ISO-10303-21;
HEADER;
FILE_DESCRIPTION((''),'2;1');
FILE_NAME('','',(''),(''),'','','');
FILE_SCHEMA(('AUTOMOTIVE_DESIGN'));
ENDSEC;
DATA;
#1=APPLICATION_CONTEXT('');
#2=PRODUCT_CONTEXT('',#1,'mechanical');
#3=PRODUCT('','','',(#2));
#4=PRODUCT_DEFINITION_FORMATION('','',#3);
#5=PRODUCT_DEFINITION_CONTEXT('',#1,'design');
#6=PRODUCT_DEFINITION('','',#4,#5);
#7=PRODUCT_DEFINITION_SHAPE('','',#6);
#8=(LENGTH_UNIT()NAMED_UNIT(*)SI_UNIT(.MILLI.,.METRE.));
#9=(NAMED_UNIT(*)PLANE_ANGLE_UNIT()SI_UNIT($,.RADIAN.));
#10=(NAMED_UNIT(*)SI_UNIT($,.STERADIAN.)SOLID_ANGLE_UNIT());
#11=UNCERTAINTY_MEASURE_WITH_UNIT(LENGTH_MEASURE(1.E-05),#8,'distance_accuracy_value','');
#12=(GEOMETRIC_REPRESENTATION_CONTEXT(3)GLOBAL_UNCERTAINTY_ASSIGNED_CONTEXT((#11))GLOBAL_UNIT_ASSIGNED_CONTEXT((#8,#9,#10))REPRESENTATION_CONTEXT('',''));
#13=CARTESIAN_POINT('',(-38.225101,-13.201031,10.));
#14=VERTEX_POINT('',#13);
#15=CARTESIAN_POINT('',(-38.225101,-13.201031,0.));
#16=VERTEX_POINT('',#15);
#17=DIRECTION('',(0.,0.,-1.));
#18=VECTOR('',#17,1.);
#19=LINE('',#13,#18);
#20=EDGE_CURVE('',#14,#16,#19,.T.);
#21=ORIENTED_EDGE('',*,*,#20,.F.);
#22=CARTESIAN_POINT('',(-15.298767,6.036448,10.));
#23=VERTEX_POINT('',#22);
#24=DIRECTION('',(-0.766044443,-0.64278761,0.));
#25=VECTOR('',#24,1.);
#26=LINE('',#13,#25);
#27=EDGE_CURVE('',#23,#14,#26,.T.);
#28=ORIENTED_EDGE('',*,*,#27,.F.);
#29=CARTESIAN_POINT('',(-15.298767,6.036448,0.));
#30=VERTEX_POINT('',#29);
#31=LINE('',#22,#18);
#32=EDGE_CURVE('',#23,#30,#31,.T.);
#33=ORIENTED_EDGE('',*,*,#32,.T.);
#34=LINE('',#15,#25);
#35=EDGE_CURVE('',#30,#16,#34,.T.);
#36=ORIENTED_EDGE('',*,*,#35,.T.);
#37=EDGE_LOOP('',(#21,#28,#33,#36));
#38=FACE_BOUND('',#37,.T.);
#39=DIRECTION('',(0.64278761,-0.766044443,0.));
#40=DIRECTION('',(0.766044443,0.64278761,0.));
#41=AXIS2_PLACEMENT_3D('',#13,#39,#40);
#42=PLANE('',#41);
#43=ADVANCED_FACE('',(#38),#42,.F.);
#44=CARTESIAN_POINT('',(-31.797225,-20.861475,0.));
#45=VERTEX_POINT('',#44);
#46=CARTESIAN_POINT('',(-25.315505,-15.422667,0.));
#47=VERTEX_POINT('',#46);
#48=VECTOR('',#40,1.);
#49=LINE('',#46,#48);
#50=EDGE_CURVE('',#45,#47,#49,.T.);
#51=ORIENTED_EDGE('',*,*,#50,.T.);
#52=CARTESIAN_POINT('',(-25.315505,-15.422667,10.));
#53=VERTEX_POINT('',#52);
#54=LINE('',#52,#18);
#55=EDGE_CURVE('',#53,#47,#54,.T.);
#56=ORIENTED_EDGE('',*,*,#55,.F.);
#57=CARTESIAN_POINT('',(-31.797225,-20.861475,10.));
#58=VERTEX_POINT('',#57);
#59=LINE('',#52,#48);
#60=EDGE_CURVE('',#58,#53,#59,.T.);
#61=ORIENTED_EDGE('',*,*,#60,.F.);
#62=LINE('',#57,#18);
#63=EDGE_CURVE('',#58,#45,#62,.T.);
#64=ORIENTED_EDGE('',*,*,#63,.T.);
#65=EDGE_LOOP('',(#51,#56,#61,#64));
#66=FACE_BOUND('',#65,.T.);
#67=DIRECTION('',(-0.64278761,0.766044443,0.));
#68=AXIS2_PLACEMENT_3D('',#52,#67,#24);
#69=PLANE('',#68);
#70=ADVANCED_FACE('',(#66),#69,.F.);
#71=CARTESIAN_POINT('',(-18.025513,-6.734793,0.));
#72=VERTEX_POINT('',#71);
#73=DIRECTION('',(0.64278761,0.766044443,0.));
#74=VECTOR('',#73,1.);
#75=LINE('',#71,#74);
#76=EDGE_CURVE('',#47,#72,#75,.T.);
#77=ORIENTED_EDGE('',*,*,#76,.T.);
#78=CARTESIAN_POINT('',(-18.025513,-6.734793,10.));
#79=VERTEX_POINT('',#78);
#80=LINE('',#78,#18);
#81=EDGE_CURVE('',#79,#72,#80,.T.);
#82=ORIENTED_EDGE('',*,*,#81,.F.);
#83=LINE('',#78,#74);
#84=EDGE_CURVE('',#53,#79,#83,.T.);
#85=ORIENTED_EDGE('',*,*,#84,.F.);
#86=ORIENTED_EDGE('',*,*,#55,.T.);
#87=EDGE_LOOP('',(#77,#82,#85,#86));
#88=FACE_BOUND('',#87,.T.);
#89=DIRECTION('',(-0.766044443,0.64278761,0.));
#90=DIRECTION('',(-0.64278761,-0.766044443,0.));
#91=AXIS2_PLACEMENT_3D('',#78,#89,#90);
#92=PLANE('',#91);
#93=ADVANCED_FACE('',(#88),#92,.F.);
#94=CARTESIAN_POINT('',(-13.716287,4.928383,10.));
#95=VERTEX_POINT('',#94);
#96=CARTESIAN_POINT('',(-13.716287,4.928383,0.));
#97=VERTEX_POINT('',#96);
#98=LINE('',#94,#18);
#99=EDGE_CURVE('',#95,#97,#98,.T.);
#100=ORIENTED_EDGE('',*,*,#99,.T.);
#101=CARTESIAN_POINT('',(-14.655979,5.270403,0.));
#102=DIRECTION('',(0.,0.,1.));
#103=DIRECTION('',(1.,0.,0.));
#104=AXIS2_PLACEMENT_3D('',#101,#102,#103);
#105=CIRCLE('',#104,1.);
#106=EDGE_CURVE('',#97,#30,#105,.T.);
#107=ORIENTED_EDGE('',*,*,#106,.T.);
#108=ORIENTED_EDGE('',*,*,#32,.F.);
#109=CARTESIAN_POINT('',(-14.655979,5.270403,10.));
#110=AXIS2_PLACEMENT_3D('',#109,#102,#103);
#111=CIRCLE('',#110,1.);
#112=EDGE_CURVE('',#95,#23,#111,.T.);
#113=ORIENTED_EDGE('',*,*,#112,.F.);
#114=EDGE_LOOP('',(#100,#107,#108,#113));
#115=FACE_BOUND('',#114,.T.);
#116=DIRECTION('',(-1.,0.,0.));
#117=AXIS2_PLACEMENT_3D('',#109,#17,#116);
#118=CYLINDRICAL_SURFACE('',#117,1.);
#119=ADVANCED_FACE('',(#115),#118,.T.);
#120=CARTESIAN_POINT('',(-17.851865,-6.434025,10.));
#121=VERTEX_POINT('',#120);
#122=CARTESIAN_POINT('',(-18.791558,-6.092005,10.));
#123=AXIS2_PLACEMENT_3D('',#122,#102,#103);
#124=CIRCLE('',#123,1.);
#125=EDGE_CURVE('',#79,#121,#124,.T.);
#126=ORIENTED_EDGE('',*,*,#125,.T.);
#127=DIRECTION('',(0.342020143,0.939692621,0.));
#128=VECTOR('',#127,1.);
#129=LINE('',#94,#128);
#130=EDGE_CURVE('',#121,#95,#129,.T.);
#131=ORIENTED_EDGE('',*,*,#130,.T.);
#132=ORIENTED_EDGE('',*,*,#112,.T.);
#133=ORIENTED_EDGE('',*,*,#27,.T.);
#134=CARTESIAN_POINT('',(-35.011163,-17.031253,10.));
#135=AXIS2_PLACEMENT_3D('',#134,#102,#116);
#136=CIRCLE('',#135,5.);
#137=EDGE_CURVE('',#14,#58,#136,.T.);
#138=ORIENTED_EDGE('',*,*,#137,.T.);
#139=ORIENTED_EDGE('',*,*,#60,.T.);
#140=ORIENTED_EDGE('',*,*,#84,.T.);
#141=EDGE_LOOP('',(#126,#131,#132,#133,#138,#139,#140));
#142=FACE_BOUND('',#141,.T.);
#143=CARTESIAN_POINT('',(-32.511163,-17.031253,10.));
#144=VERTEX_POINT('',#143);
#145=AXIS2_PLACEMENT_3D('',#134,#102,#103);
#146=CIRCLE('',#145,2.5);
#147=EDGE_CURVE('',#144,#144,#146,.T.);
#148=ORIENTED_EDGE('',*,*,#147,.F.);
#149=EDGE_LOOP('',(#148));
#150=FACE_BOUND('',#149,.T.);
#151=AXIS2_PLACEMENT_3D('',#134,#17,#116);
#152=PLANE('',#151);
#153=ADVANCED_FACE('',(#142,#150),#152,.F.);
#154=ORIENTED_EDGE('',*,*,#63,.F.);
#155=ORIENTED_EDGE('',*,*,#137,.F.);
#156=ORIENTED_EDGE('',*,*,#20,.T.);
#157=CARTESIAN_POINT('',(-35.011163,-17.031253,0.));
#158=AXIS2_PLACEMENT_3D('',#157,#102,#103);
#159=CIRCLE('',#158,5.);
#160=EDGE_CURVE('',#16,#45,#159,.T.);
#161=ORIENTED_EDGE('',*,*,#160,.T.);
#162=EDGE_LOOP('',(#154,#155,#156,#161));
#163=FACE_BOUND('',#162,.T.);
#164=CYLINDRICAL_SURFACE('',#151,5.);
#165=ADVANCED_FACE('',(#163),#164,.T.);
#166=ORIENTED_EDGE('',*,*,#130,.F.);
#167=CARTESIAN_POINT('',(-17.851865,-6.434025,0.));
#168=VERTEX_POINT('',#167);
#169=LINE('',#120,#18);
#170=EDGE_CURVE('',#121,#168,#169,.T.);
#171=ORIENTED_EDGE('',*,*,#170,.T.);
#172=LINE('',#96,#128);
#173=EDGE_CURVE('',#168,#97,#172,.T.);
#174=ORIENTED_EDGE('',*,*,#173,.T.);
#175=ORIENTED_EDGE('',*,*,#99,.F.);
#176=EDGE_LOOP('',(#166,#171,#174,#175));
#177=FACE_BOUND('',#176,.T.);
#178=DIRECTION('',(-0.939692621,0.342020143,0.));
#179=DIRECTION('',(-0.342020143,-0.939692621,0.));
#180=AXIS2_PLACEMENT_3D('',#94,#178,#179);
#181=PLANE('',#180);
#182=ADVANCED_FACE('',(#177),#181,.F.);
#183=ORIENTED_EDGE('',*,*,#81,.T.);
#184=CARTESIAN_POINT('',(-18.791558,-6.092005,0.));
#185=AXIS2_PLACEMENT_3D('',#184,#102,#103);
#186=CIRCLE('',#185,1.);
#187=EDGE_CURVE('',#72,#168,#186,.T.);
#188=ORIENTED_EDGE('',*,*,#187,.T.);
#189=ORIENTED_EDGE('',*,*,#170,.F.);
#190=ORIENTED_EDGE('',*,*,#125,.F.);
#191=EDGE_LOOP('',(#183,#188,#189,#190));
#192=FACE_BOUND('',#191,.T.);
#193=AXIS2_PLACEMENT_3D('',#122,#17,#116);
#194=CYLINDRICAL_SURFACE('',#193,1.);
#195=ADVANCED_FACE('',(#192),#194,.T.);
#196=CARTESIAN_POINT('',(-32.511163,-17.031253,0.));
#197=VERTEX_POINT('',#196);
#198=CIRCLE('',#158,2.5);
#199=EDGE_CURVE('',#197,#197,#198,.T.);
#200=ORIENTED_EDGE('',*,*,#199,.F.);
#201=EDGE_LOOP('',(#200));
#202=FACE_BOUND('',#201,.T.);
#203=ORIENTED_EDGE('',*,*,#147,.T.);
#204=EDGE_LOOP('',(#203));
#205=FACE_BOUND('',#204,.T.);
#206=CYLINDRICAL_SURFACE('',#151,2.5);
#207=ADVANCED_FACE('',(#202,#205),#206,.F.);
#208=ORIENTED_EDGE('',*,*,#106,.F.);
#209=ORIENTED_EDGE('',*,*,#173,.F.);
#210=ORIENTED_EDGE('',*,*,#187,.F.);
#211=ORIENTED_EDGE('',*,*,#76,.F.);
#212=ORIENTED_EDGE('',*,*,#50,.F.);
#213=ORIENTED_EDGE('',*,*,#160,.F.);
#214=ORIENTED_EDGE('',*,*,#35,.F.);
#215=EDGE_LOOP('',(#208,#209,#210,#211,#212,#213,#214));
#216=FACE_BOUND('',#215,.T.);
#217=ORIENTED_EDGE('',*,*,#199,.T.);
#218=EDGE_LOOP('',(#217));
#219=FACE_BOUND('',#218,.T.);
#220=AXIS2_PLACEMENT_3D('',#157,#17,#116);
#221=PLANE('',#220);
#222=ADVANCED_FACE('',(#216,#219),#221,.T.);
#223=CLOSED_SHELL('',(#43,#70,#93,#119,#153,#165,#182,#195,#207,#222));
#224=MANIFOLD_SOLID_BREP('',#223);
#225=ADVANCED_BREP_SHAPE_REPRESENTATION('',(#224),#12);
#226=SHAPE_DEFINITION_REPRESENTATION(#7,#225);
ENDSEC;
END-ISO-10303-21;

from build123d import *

# Parameters (mm, degrees)
SKETCH_1_R      = 2.5
EXTRUDE_1_DEPTH = 10


with BuildPart() as part:
    # 草圖1 → 填料-伸長1 (new body)
    with BuildSketch(Plane.XY):
        with BuildLine():
            Line((-13.71628672, 4.928383), (-17.851865082, -6.434025166))
            ThreePointArc((-17.851865082, -6.434025166), (-17.925532299, -6.592005023), (-18.02551326, -6.734792632))
            Line((-18.02551326, -6.734792632), (-25.315505088, -15.422666584))
            Line((-25.315505088, -15.422666584), (-31.797224631, -20.861475062))
            ThreePointArc((-31.797224631, -20.861475062), (-35.446941393, -22.012226336), (-38.841384895, -20.245190894))
            ThreePointArc((-38.841384895, -20.245190894), (-39.99213617, -16.595474132), (-38.225100728, -13.20103063))
            Line((-38.225100728, -13.20103063), (-15.298766951, 6.036447586))
            ThreePointArc((-15.298766951, 6.036447586), (-14.082402905, 6.089555187), (-13.71628672, 4.928383))
        make_face()
        with Locations((-35.011162679, -17.031252846)):
            Circle(SKETCH_1_R, mode=Mode.SUBTRACT)
    extrude(amount=EXTRUDE_1_DEPTH)


solid = part.part
